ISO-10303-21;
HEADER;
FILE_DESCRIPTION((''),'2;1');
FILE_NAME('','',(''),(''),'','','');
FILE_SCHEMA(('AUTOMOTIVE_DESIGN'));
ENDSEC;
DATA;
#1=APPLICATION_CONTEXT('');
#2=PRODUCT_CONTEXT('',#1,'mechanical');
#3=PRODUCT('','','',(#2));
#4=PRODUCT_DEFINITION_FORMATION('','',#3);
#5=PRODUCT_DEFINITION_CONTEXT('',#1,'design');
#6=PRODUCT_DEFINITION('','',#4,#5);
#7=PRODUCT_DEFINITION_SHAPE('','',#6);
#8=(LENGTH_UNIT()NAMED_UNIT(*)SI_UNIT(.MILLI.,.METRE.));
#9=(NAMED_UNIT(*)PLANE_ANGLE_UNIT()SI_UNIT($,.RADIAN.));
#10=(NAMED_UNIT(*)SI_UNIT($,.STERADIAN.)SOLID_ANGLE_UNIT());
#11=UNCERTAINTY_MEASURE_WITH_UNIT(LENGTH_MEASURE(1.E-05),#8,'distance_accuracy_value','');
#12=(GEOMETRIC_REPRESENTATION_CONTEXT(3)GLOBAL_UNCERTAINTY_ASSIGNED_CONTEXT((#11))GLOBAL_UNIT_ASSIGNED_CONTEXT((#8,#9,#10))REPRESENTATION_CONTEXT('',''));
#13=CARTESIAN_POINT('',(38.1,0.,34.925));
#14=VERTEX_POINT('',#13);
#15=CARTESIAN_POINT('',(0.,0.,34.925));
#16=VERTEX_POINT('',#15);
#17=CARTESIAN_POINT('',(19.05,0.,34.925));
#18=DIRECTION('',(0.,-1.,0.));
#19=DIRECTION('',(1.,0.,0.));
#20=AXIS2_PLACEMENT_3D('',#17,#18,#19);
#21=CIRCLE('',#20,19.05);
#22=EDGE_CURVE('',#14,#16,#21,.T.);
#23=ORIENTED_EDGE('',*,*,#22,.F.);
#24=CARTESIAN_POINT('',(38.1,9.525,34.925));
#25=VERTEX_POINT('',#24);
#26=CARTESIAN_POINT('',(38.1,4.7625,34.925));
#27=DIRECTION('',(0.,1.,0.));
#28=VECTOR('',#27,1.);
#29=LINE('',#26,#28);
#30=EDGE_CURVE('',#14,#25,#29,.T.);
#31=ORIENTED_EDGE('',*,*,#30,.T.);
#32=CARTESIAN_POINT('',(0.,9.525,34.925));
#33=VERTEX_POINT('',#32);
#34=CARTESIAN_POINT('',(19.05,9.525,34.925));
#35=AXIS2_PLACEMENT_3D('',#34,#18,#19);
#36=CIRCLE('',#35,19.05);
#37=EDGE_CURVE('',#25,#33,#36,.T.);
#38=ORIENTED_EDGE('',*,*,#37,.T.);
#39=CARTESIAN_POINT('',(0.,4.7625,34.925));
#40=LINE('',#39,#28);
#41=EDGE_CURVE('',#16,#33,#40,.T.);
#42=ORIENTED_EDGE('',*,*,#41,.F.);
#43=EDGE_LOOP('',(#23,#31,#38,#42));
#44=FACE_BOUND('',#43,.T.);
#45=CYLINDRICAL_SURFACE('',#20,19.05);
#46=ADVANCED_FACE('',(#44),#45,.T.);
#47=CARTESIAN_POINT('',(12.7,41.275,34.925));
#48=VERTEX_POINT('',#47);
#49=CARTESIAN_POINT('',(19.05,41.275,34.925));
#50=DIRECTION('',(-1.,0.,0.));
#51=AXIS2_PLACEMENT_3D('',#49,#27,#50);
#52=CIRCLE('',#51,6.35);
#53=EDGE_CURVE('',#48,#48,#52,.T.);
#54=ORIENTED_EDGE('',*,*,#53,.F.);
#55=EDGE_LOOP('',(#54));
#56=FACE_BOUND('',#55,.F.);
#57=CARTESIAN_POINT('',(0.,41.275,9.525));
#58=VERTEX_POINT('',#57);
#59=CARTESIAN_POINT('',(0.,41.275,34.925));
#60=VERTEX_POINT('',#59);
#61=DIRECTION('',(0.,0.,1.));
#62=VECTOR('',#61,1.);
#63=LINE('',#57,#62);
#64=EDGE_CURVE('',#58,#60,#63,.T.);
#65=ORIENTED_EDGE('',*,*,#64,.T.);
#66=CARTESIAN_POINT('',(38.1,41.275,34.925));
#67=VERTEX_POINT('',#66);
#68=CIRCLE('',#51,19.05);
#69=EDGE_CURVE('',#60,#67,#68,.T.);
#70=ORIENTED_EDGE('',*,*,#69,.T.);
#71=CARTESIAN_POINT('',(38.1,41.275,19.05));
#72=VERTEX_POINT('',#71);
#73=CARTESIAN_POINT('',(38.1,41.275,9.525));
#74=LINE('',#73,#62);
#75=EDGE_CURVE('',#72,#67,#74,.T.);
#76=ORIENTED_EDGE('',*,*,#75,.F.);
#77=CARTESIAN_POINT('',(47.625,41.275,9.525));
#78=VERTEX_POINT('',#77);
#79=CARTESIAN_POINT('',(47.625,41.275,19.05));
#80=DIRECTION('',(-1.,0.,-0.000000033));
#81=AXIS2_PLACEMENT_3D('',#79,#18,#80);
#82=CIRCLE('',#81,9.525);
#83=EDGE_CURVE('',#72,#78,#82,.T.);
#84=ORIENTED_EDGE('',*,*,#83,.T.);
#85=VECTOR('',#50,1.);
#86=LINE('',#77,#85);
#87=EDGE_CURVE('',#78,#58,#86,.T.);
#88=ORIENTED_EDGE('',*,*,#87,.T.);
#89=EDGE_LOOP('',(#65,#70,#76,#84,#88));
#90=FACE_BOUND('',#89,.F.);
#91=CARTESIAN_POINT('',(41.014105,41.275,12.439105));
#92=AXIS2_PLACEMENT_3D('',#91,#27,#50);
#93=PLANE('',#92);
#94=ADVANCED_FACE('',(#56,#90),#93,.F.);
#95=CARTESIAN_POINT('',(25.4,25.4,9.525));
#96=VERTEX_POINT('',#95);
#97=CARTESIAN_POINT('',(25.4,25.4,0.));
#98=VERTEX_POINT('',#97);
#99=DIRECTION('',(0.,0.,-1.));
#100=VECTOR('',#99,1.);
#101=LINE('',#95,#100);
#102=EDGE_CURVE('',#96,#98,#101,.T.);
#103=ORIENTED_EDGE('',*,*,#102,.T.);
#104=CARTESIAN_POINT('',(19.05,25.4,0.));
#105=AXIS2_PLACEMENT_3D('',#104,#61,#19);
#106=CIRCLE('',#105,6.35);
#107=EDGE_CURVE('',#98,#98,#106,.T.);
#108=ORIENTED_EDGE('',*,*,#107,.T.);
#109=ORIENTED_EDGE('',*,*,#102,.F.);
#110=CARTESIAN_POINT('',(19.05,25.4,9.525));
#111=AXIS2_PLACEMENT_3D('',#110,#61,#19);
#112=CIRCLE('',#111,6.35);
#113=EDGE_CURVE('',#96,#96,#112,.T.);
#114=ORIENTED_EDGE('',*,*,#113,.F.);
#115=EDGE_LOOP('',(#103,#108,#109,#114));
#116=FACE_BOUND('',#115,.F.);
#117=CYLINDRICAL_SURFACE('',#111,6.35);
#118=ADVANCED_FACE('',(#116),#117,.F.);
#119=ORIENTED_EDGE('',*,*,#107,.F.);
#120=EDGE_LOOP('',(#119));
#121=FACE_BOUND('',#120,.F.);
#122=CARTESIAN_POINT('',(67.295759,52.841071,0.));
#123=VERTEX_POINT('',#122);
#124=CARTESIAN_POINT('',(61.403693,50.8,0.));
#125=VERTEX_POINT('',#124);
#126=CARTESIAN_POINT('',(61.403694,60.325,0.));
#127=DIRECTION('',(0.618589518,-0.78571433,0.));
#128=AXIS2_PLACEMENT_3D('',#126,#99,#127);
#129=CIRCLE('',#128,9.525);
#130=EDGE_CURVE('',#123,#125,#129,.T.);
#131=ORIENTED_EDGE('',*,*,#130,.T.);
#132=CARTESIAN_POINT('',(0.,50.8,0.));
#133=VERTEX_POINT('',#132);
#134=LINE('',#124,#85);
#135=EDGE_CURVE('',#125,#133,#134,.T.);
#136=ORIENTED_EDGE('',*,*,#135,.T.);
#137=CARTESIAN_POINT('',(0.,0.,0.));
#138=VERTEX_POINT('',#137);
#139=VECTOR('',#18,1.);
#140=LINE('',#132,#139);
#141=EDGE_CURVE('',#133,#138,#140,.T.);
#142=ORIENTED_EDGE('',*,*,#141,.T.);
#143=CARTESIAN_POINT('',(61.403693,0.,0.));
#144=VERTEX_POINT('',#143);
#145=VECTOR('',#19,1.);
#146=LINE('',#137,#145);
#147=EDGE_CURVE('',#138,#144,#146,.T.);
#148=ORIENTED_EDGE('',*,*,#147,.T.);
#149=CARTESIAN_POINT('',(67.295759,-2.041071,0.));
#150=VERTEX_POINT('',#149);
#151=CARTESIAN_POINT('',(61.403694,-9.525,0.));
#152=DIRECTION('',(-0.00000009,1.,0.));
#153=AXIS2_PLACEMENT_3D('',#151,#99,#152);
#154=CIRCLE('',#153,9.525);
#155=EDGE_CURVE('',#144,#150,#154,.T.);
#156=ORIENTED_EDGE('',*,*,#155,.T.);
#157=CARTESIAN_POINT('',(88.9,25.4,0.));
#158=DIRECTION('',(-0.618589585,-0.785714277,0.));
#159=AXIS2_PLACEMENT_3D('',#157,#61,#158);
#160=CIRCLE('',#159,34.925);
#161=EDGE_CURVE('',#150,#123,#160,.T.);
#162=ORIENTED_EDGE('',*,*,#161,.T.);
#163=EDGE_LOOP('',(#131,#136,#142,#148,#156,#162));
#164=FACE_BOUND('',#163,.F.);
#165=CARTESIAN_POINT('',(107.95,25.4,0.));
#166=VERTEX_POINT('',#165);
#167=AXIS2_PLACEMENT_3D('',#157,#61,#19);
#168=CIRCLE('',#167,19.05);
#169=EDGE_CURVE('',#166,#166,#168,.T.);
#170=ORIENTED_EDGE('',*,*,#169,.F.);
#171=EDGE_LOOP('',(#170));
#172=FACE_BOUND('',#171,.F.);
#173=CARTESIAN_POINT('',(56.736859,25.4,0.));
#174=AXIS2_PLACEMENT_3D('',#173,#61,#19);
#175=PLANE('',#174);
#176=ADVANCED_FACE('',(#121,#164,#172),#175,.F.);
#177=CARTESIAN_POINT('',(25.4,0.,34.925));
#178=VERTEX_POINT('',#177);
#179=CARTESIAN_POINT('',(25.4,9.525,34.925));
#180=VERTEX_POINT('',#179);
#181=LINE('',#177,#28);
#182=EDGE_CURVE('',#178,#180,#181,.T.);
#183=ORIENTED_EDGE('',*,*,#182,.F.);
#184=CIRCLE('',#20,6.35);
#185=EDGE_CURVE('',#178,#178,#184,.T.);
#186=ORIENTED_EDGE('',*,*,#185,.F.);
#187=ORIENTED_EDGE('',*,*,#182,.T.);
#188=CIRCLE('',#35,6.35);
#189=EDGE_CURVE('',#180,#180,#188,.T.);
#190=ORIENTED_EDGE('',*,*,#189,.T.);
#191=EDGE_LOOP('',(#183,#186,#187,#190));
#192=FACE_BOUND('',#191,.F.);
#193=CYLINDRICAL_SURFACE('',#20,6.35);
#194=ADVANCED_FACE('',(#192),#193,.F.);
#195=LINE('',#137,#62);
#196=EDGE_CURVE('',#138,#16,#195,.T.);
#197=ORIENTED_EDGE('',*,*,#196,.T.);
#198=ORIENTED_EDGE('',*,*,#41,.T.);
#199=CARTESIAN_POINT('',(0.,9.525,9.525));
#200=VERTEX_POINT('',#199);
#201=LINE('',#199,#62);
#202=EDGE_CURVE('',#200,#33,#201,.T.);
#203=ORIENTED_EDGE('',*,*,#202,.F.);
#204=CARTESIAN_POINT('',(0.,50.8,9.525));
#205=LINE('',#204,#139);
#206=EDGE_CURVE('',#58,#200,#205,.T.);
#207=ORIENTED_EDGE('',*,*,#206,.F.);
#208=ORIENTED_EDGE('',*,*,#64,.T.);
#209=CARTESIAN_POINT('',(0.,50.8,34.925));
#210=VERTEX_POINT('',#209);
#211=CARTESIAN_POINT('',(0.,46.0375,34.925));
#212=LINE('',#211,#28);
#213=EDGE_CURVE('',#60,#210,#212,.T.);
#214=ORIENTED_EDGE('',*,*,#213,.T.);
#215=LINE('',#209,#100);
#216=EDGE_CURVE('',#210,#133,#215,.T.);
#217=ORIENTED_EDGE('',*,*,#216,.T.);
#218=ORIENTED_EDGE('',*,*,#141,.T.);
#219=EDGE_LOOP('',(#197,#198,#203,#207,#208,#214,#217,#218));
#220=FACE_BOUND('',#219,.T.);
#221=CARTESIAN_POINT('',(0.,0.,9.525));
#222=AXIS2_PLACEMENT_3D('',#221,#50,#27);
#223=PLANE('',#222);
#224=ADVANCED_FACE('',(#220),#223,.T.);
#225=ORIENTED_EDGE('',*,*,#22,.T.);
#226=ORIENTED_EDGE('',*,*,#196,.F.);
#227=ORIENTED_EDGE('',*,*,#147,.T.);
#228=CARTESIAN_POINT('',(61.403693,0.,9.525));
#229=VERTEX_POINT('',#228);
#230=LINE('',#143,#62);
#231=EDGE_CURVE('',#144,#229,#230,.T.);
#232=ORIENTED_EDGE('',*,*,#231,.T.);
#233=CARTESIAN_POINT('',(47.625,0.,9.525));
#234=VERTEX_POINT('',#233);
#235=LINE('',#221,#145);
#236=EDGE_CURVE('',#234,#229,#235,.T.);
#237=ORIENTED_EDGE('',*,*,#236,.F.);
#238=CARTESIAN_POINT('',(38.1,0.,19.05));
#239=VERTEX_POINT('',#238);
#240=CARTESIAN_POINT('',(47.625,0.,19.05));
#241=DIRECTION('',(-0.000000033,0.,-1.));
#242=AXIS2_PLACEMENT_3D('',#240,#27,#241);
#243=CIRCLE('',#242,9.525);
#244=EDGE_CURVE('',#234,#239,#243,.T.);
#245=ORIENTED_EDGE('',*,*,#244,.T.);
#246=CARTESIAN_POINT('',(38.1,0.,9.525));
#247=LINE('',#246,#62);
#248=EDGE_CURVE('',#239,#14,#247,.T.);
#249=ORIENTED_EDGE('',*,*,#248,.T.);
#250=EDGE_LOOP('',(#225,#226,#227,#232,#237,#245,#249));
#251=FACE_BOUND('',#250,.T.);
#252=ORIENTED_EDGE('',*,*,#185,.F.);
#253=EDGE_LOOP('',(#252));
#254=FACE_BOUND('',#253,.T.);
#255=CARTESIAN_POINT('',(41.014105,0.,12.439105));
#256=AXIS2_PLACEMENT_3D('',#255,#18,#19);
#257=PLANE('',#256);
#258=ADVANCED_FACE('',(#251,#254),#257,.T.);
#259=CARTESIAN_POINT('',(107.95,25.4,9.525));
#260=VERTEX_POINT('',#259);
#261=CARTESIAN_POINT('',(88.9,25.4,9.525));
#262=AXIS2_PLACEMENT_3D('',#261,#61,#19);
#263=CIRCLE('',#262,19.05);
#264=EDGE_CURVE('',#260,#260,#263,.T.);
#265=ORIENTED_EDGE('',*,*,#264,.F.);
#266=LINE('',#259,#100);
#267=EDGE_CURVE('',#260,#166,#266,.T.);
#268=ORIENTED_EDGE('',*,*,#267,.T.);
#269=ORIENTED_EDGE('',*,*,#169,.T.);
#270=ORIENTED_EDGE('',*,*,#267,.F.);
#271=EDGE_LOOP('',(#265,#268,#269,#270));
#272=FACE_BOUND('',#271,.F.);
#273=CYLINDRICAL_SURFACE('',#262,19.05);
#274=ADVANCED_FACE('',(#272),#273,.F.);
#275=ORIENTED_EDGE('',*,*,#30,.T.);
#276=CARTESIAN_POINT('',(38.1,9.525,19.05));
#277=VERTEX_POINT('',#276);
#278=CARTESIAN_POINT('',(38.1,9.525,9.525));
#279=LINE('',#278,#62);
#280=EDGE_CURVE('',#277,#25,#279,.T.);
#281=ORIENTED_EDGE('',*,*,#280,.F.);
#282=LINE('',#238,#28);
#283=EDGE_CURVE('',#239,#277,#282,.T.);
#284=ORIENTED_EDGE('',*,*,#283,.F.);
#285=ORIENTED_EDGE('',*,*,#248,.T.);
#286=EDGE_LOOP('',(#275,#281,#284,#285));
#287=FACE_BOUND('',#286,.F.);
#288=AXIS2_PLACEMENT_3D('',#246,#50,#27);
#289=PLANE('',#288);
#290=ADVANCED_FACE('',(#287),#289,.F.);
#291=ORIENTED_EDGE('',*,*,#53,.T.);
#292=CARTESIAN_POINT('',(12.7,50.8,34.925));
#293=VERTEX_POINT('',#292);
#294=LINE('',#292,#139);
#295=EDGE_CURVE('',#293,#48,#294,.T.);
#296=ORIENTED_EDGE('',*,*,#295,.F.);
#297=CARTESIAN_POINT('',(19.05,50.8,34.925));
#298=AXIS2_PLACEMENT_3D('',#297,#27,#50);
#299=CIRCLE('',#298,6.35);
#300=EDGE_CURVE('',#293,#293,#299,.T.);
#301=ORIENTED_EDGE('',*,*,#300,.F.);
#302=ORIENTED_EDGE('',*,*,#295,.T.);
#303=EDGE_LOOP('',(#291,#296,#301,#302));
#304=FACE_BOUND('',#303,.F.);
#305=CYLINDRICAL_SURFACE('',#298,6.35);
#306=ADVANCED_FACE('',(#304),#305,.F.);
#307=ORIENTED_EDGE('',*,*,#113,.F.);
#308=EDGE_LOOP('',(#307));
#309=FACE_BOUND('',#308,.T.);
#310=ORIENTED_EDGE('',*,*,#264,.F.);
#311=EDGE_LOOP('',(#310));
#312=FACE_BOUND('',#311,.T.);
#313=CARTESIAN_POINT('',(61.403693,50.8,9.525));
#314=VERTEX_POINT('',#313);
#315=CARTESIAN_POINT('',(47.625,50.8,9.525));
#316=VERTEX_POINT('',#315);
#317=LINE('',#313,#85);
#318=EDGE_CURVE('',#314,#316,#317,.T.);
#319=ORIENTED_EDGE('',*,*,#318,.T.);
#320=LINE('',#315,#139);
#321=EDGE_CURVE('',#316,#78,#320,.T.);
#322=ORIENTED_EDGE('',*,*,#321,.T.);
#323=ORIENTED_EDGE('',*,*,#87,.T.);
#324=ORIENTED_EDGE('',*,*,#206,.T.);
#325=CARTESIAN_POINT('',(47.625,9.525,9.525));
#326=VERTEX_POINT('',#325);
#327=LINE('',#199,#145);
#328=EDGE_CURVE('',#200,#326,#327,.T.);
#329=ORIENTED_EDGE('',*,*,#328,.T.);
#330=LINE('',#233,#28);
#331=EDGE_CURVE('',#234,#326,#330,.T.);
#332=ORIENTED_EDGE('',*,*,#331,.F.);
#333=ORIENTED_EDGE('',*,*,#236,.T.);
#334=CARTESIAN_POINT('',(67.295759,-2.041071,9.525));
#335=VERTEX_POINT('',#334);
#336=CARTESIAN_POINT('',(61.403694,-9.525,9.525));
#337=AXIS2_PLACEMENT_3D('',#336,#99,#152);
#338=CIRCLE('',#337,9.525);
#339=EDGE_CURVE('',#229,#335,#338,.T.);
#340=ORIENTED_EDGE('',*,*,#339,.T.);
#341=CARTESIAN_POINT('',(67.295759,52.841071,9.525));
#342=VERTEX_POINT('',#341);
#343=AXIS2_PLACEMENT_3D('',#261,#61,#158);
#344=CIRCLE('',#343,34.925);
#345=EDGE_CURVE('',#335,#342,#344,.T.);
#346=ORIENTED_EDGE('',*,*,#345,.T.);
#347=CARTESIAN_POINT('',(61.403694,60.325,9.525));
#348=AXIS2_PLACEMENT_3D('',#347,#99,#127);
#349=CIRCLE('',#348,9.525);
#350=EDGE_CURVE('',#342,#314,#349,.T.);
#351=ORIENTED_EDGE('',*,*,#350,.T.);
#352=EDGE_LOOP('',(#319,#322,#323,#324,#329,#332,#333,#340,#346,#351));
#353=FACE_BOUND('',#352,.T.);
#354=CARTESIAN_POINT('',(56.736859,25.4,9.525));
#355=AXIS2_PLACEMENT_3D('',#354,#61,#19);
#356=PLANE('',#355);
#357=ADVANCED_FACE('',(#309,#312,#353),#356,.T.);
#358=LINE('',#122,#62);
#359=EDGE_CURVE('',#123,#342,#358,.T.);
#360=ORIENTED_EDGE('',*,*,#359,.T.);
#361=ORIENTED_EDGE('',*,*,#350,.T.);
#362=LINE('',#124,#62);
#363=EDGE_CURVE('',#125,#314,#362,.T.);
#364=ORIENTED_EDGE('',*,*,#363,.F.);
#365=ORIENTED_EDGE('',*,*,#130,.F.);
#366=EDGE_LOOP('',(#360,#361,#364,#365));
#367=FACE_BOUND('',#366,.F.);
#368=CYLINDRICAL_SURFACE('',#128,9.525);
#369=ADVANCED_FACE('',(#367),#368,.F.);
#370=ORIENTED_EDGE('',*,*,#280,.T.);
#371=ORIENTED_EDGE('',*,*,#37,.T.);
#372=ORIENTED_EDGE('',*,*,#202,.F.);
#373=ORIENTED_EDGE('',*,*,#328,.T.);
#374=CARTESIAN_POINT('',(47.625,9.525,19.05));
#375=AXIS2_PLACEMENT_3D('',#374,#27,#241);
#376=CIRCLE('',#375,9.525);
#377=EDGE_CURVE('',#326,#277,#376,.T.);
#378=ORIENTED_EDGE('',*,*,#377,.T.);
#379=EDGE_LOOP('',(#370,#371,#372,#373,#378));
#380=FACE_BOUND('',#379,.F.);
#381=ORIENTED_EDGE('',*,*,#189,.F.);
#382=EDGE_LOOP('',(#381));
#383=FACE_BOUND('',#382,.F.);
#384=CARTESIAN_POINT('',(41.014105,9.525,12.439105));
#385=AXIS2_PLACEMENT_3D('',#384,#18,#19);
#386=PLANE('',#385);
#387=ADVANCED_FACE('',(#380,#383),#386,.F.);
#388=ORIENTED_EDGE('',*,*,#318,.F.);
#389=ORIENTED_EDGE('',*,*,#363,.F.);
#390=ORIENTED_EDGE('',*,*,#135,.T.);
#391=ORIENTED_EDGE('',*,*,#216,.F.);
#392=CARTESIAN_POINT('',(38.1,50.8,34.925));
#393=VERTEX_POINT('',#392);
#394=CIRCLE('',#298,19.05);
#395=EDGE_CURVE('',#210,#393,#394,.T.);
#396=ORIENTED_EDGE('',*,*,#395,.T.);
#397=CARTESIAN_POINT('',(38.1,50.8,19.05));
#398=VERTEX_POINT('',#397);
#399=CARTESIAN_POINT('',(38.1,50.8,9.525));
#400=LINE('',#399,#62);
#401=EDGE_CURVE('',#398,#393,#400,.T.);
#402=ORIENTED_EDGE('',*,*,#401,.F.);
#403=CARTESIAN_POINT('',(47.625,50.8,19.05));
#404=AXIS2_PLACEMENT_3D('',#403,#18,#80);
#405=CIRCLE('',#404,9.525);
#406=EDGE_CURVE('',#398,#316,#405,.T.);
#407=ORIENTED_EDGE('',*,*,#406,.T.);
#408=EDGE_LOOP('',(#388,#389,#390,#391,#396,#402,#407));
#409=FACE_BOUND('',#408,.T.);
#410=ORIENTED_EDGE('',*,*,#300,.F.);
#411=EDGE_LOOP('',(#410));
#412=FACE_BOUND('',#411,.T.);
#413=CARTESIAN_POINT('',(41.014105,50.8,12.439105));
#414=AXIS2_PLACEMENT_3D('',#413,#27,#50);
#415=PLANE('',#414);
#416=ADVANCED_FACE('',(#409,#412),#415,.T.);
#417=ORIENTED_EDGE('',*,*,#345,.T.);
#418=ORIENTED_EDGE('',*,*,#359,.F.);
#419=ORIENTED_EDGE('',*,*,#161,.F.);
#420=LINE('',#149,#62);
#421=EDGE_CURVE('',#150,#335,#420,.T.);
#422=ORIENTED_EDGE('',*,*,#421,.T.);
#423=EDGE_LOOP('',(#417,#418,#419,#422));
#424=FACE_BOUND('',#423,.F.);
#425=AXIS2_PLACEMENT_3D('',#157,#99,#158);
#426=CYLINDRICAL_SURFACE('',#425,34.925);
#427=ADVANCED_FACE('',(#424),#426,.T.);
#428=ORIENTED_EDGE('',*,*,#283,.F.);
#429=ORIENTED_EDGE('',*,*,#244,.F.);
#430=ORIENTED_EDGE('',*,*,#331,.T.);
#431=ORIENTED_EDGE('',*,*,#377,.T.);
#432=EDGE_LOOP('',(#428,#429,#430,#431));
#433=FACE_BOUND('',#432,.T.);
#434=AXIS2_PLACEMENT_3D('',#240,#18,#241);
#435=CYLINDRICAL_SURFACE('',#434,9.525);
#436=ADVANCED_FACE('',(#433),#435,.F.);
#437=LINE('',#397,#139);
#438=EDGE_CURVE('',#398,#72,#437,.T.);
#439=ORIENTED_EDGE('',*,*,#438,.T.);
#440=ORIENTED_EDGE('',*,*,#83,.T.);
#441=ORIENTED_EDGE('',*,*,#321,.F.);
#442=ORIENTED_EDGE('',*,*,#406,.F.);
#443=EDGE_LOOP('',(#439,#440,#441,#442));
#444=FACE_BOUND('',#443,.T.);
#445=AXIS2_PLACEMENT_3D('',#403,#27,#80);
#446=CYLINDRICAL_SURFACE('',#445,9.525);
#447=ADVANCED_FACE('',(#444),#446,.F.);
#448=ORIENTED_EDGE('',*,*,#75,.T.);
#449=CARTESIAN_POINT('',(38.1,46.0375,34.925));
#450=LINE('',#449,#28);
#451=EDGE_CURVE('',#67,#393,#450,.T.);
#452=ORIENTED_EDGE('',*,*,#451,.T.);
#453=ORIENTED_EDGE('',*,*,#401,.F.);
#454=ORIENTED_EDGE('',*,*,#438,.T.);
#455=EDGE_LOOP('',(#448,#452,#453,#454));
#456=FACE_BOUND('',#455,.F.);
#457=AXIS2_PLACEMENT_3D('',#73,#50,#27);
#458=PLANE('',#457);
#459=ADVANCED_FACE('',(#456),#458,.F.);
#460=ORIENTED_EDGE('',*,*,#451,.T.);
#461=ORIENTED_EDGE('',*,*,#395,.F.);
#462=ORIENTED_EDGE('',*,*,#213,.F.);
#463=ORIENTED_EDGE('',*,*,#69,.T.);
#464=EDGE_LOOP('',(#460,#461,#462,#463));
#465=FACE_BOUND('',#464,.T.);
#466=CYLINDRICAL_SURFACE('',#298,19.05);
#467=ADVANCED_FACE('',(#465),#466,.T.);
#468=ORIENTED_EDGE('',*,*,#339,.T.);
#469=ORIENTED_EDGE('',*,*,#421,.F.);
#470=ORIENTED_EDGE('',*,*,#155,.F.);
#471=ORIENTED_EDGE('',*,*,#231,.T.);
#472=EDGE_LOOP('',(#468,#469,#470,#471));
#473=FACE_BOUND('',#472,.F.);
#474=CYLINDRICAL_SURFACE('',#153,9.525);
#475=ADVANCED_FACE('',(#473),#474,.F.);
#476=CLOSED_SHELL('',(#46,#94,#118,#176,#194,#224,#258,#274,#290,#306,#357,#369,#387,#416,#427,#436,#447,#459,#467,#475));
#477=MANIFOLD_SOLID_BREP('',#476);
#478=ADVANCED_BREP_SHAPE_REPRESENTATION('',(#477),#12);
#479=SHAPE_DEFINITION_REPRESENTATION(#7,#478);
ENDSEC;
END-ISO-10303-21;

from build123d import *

# Parameters (mm, degrees)
F1_DEPTH  = 9.525
F2_R      = 19.05
F3_DEPTH  = 9.525
F4_W      = 38.1
F4_H      = 9.525
F5_DEPTH  = 25.4
F7_DEPTH  = 9.525
F8_R      = 6.35
F9_DEPTH  = 9.525
F10_R     = 19.05
F11_DEPTH = 9.525
F12_R     = 6.35
F13_DEPTH = 9.525
F14_R     = 6.35
F15_DEPTH = 25.4
F16_DEPTH = 9.525
F17_DEPTH = 9.525


with BuildPart() as f1:
    # F0 (on Top) → F1 (new body)
    with BuildSketch(Plane.XY):
        with BuildLine():
            Line((0, 50.8), (0, 0))
            Line((0, 0), (61.403693, 0))
            ThreePointArc((61.403693, 0), (64.521482, -0.524721), (67.295759, -2.041071))
            ThreePointArc((67.295759, -2.041071), (123.825, 25.4), (67.295759, 52.841071))
            ThreePointArc((67.295759, 52.841071), (64.521482, 51.324721), (61.403693, 50.8))
            Line((61.403693, 50.8), (0, 50.8))
        make_face()
    extrude(amount=F1_DEPTH)

    # F2 (on face) → F3 (cut)
    with BuildSketch(Plane.XY.offset(9.525)):
        with Locations((88.9, 25.4)):
            Circle(F2_R)
    extrude(amount=-F3_DEPTH, mode=Mode.SUBTRACT)

    # F4 (on face) → F5 (join)
    with BuildSketch(Plane.XY.offset(9.525)):
        with Locations((19.05, 4.7625)):
            Rectangle(F4_W, F4_H)
        with Locations((19.05, 46.0375)):
            Rectangle(F4_W, F4_H)
    extrude(amount=F5_DEPTH)

    # F6 (on face) → F7 (join)
    with BuildSketch(Plane(origin=(0, 50.8, 0), x_dir=(-1, 0, 0), z_dir=(0, 1, 0))):
        with BuildLine():
            ThreePointArc((-38.1, 34.925), (-19.05, 15.875), (0, 34.925))
            ThreePointArc((0, 34.925), (-19.05, 53.975), (-38.1, 34.925))
        make_face()
    extrude(amount=-F7_DEPTH)

    # F8 (on face) → F9 (cut)
    with BuildSketch(Plane(origin=(0, 50.8, 0), x_dir=(-1, 0, 0), z_dir=(0, 1, 0))):
        with Locations((-19.05, 34.925)):
            Circle(F8_R)
    extrude(amount=-F9_DEPTH, mode=Mode.SUBTRACT)

    # F10 (on face) → F11 (join)
    with BuildSketch(Plane.XZ):
        with Locations((19.05, 34.925)):
            Circle(F10_R)
    extrude(amount=-F11_DEPTH)

    # F12 (on face) → F13 (cut)
    with BuildSketch(Plane.XZ):
        with Locations((19.05, 34.925)):
            Circle(F12_R)
    extrude(amount=-F13_DEPTH, mode=Mode.SUBTRACT)

    # F14 (on face) → F15 (cut)
    with BuildSketch(Plane.XY.offset(9.525)):
        with Locations((19.05, 25.4)):
            Circle(F14_R)
    extrude(amount=-F15_DEPTH, mode=Mode.SUBTRACT)

    # F6 (on face) → F16 (join)
    with BuildSketch(Plane(origin=(0, 50.8, 0), x_dir=(-1, 0, 0), z_dir=(0, 1, 0))):
        with BuildLine():
            Line((-38.1, 9.525), (-38.1, 19.05))
            ThreePointArc((-38.1, 19.05), (-40.889808, 12.314808), (-47.625, 9.525))
            Line((-47.625, 9.525), (-38.1, 9.525))
        make_face()
    extrude(amount=-F16_DEPTH)

    # F10 (on face) → F17 (join)
    with BuildSketch(Plane.XZ):
        with BuildLine():
            ThreePointArc((47.625, 9.525), (40.889808, 12.314808), (38.1, 19.05))
            Line((38.1, 19.05), (38.1, 9.525))
            Line((38.1, 9.525), (47.625, 9.525))
        make_face()
    extrude(amount=-F17_DEPTH)


solid = f1.part
